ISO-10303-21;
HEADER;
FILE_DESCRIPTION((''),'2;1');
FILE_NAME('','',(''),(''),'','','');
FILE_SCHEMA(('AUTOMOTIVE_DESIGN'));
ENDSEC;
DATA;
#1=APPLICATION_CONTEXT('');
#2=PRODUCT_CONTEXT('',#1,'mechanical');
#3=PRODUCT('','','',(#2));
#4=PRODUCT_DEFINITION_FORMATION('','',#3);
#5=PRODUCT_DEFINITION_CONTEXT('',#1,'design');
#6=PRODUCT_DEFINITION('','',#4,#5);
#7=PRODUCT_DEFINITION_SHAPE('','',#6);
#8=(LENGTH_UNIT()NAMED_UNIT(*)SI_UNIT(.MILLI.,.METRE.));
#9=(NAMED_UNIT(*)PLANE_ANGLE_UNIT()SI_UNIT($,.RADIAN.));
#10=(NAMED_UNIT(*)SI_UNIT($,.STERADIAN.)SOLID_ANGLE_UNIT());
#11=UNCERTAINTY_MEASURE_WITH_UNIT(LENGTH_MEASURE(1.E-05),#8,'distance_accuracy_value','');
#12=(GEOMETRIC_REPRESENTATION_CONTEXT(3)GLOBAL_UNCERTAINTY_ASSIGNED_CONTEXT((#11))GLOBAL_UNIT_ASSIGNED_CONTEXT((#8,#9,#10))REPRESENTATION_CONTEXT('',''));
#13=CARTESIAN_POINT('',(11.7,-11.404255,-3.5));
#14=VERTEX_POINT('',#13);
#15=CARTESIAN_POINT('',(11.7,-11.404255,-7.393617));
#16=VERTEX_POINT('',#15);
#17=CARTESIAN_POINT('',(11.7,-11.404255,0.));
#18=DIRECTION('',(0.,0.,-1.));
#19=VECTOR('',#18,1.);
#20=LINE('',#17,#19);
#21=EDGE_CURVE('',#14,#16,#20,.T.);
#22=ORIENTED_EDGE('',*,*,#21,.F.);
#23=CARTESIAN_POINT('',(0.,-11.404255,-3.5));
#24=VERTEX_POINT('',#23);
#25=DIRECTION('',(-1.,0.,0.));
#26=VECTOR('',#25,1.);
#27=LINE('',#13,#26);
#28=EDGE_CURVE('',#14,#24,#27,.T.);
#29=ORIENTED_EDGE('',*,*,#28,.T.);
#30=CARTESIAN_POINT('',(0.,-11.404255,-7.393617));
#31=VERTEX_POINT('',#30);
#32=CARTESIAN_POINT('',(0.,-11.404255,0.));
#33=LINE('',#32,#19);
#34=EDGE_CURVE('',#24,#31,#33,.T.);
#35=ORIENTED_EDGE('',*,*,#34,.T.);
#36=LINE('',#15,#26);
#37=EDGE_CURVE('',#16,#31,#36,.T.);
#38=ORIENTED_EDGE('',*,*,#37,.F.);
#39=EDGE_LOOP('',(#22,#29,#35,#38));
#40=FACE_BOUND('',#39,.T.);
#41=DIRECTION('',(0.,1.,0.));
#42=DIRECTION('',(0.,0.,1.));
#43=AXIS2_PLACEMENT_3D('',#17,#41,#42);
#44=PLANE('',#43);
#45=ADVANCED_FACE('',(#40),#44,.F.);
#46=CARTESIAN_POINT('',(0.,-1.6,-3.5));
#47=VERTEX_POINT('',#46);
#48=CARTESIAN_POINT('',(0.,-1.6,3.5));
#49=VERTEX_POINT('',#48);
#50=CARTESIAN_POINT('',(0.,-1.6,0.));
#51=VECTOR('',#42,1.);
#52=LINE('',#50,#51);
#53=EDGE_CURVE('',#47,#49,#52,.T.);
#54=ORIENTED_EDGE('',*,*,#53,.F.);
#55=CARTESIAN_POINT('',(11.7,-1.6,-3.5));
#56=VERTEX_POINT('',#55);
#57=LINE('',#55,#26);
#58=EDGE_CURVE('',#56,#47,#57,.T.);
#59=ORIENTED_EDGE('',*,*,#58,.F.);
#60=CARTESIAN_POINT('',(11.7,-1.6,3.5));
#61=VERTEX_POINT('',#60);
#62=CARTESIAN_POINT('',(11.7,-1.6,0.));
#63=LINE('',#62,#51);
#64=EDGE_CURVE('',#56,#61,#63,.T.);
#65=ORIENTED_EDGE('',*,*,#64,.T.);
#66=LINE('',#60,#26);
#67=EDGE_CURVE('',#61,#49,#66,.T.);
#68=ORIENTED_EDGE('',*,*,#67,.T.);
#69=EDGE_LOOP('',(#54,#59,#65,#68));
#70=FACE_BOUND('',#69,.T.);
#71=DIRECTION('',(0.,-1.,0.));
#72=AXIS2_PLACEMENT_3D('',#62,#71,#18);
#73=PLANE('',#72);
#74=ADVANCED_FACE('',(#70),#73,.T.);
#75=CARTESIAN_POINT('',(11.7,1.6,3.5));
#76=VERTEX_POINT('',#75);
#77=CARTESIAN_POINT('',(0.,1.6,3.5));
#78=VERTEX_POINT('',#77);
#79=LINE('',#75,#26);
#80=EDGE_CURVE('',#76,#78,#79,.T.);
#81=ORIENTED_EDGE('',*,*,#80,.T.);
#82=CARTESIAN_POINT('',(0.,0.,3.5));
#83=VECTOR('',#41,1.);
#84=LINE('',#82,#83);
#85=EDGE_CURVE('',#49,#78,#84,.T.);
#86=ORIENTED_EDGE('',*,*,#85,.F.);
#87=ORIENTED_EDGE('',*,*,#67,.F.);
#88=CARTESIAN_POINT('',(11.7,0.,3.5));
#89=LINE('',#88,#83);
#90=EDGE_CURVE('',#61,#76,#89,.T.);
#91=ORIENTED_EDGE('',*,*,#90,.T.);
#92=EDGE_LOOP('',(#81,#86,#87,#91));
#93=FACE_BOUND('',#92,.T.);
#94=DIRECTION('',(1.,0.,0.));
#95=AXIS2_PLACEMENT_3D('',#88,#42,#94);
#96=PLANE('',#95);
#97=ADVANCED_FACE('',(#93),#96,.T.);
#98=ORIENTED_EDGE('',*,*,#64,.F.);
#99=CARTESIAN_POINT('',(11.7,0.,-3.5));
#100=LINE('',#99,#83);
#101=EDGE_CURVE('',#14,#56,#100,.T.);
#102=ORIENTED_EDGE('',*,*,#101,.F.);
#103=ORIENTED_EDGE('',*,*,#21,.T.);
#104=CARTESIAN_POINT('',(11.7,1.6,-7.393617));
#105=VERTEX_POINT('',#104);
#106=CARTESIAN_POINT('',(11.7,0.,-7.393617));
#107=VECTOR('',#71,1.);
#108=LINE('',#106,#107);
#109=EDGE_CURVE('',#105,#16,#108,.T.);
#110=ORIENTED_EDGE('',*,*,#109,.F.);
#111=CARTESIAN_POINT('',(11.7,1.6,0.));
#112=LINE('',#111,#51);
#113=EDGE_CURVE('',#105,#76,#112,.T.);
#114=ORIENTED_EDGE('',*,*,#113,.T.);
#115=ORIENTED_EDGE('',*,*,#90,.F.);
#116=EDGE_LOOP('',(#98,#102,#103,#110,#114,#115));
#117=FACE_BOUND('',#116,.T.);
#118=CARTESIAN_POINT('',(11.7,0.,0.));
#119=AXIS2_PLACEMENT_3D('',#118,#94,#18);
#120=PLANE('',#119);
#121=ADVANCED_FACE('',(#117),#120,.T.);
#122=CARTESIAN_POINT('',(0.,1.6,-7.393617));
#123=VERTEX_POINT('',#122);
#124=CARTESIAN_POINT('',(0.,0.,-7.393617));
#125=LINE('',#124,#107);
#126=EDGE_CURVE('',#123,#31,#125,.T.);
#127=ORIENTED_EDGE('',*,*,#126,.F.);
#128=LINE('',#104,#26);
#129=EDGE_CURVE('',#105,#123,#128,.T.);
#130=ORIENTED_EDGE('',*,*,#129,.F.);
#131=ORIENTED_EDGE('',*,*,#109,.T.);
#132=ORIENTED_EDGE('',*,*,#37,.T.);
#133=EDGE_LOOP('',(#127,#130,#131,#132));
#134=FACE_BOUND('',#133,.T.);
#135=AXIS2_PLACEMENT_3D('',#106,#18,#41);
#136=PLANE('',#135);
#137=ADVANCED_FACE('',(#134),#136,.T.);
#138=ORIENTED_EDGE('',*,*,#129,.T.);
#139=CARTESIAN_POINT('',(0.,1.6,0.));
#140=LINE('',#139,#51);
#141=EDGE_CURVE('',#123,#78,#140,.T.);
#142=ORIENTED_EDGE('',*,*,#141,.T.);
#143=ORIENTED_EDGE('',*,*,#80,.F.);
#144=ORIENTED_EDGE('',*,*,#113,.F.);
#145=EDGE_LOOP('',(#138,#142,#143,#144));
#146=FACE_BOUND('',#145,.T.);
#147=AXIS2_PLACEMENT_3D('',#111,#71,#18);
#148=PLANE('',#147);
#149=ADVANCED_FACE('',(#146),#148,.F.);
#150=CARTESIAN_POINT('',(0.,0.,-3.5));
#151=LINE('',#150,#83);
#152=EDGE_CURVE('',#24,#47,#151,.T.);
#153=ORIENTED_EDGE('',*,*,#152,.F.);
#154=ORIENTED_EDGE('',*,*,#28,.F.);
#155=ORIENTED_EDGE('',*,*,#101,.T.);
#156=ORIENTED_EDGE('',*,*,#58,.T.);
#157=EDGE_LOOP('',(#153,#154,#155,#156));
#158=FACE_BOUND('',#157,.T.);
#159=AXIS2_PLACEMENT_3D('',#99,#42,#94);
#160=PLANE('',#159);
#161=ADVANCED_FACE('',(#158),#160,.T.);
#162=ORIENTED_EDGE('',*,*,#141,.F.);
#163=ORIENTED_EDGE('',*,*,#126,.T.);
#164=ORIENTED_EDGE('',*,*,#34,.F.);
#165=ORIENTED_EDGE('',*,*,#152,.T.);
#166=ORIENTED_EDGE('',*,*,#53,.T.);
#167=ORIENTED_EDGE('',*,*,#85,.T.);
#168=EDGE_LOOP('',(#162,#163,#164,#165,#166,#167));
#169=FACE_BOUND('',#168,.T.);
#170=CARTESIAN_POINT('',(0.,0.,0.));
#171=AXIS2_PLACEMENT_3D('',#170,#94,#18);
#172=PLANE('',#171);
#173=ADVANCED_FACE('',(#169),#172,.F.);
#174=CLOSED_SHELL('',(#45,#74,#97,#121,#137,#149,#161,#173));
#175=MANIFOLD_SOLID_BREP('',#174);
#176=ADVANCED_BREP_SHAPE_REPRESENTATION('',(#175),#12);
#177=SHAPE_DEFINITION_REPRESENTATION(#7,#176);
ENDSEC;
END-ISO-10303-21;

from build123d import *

# Parameters (mm, degrees)
SKETCH1_W           = 7
SKETCH1_H           = 3.2
BOSS_EXTRUDE1_DEPTH = 11.7


with BuildPart() as part:
    # Sketch1 → Boss-Extrude1 (new body)
    with BuildSketch(Plane(origin=(0, 0, 0), x_dir=(0, 0, -1), z_dir=(1, 0, 0))):
        Rectangle(SKETCH1_W, SKETCH1_H)
        Polygon((3.5, 1.6), (3.5, -1.6), (3.5, -11.404255319), (7.393617021, -11.404255319), (7.393617021, 1.6), align=None)
    extrude(amount=BOSS_EXTRUDE1_DEPTH)


solid = part.part
